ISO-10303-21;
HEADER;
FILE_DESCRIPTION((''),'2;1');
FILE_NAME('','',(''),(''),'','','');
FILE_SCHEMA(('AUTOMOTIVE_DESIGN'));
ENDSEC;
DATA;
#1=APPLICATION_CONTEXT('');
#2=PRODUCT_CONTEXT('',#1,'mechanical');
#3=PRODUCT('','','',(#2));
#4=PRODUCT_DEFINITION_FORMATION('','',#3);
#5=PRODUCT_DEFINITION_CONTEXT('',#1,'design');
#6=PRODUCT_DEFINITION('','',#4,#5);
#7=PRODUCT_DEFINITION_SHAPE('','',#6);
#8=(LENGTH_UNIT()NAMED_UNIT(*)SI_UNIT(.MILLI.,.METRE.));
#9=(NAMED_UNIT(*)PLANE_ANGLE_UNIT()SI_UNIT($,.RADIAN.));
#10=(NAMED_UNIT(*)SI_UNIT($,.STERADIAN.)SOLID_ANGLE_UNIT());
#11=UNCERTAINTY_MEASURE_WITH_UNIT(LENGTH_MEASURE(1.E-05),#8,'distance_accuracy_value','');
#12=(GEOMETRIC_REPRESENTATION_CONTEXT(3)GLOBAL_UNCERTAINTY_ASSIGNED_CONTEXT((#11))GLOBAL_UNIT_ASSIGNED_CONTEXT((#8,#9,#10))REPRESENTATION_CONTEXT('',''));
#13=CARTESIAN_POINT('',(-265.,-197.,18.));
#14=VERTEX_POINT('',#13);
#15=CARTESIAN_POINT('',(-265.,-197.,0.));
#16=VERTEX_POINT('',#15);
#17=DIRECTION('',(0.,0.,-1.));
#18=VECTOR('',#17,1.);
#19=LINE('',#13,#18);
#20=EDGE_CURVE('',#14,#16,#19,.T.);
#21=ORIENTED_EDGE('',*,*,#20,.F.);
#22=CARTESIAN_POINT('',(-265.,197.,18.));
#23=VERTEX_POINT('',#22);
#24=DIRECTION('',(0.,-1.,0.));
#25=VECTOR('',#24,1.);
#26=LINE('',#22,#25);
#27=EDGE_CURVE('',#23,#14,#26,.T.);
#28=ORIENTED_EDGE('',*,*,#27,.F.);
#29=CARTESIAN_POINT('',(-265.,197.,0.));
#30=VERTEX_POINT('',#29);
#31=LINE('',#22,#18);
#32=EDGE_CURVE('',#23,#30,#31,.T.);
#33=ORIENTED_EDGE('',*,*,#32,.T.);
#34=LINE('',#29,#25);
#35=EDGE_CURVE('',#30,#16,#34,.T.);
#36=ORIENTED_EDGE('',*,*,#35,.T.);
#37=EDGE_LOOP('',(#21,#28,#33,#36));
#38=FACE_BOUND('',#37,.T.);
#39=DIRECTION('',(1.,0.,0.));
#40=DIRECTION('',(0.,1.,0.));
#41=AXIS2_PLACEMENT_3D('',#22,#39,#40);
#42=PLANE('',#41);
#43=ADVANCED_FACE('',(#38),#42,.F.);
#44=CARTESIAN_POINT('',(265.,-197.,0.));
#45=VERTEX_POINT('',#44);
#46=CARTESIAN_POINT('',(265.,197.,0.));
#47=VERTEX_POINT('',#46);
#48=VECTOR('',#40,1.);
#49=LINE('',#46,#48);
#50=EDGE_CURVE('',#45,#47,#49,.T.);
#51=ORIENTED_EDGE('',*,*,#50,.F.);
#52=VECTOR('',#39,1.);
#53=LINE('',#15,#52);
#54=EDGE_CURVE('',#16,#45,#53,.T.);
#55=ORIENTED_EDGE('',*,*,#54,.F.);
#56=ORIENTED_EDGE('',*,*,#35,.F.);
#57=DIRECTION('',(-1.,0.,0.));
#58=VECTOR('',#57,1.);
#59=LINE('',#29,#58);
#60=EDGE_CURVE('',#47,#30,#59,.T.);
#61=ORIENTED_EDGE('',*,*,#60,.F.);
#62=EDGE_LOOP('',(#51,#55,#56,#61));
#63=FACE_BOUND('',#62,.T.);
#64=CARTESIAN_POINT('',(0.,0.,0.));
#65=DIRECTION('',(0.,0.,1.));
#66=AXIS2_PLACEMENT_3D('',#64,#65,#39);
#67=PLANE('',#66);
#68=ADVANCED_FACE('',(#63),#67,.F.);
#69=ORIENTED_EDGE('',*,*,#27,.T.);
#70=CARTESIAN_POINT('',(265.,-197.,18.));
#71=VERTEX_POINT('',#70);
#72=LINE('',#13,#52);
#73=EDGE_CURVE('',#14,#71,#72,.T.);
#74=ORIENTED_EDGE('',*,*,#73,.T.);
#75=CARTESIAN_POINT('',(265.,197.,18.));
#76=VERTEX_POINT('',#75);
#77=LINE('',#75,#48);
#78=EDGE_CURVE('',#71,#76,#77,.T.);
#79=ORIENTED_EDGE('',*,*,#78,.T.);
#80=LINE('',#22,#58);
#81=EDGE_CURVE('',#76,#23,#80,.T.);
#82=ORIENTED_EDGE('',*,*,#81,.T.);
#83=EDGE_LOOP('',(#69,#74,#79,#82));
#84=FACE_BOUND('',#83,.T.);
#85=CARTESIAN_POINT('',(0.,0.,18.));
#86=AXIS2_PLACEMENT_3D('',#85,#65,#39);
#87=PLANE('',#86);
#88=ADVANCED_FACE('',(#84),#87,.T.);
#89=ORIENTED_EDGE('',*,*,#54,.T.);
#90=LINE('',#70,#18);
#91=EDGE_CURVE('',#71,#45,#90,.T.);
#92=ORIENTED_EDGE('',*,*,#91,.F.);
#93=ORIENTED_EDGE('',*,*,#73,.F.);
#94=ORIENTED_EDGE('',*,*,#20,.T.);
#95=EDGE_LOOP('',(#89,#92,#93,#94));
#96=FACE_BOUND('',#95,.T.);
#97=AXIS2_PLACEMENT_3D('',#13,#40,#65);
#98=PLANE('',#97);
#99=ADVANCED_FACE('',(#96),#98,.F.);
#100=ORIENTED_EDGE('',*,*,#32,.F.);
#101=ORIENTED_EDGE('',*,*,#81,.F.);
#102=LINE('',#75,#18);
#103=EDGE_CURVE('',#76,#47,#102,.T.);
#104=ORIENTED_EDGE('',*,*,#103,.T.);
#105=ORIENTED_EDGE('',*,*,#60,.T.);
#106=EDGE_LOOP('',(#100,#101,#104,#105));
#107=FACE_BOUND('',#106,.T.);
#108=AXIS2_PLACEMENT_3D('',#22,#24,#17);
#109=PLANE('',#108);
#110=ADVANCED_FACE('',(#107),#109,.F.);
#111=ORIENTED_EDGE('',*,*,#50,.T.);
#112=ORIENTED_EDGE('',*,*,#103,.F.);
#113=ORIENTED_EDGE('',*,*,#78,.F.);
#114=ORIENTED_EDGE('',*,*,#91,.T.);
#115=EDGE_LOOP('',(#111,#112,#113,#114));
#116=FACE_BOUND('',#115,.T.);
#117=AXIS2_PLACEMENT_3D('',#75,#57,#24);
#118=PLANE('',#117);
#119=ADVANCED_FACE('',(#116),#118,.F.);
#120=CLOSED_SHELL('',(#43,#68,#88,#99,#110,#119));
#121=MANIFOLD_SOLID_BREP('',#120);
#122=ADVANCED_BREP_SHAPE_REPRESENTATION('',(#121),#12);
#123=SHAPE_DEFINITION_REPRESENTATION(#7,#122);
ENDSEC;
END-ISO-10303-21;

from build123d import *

# Parameters (mm, degrees)
SKETCH1_W           = 530
SKETCH1_H           = 394
BOSS_EXTRUDE1_DEPTH = 18


with BuildPart() as part:
    # Sketch1 → Boss-Extrude1 (new body)
    with BuildSketch(Plane.XY):
        Rectangle(SKETCH1_W, SKETCH1_H)
    extrude(amount=BOSS_EXTRUDE1_DEPTH)


solid = part.part
